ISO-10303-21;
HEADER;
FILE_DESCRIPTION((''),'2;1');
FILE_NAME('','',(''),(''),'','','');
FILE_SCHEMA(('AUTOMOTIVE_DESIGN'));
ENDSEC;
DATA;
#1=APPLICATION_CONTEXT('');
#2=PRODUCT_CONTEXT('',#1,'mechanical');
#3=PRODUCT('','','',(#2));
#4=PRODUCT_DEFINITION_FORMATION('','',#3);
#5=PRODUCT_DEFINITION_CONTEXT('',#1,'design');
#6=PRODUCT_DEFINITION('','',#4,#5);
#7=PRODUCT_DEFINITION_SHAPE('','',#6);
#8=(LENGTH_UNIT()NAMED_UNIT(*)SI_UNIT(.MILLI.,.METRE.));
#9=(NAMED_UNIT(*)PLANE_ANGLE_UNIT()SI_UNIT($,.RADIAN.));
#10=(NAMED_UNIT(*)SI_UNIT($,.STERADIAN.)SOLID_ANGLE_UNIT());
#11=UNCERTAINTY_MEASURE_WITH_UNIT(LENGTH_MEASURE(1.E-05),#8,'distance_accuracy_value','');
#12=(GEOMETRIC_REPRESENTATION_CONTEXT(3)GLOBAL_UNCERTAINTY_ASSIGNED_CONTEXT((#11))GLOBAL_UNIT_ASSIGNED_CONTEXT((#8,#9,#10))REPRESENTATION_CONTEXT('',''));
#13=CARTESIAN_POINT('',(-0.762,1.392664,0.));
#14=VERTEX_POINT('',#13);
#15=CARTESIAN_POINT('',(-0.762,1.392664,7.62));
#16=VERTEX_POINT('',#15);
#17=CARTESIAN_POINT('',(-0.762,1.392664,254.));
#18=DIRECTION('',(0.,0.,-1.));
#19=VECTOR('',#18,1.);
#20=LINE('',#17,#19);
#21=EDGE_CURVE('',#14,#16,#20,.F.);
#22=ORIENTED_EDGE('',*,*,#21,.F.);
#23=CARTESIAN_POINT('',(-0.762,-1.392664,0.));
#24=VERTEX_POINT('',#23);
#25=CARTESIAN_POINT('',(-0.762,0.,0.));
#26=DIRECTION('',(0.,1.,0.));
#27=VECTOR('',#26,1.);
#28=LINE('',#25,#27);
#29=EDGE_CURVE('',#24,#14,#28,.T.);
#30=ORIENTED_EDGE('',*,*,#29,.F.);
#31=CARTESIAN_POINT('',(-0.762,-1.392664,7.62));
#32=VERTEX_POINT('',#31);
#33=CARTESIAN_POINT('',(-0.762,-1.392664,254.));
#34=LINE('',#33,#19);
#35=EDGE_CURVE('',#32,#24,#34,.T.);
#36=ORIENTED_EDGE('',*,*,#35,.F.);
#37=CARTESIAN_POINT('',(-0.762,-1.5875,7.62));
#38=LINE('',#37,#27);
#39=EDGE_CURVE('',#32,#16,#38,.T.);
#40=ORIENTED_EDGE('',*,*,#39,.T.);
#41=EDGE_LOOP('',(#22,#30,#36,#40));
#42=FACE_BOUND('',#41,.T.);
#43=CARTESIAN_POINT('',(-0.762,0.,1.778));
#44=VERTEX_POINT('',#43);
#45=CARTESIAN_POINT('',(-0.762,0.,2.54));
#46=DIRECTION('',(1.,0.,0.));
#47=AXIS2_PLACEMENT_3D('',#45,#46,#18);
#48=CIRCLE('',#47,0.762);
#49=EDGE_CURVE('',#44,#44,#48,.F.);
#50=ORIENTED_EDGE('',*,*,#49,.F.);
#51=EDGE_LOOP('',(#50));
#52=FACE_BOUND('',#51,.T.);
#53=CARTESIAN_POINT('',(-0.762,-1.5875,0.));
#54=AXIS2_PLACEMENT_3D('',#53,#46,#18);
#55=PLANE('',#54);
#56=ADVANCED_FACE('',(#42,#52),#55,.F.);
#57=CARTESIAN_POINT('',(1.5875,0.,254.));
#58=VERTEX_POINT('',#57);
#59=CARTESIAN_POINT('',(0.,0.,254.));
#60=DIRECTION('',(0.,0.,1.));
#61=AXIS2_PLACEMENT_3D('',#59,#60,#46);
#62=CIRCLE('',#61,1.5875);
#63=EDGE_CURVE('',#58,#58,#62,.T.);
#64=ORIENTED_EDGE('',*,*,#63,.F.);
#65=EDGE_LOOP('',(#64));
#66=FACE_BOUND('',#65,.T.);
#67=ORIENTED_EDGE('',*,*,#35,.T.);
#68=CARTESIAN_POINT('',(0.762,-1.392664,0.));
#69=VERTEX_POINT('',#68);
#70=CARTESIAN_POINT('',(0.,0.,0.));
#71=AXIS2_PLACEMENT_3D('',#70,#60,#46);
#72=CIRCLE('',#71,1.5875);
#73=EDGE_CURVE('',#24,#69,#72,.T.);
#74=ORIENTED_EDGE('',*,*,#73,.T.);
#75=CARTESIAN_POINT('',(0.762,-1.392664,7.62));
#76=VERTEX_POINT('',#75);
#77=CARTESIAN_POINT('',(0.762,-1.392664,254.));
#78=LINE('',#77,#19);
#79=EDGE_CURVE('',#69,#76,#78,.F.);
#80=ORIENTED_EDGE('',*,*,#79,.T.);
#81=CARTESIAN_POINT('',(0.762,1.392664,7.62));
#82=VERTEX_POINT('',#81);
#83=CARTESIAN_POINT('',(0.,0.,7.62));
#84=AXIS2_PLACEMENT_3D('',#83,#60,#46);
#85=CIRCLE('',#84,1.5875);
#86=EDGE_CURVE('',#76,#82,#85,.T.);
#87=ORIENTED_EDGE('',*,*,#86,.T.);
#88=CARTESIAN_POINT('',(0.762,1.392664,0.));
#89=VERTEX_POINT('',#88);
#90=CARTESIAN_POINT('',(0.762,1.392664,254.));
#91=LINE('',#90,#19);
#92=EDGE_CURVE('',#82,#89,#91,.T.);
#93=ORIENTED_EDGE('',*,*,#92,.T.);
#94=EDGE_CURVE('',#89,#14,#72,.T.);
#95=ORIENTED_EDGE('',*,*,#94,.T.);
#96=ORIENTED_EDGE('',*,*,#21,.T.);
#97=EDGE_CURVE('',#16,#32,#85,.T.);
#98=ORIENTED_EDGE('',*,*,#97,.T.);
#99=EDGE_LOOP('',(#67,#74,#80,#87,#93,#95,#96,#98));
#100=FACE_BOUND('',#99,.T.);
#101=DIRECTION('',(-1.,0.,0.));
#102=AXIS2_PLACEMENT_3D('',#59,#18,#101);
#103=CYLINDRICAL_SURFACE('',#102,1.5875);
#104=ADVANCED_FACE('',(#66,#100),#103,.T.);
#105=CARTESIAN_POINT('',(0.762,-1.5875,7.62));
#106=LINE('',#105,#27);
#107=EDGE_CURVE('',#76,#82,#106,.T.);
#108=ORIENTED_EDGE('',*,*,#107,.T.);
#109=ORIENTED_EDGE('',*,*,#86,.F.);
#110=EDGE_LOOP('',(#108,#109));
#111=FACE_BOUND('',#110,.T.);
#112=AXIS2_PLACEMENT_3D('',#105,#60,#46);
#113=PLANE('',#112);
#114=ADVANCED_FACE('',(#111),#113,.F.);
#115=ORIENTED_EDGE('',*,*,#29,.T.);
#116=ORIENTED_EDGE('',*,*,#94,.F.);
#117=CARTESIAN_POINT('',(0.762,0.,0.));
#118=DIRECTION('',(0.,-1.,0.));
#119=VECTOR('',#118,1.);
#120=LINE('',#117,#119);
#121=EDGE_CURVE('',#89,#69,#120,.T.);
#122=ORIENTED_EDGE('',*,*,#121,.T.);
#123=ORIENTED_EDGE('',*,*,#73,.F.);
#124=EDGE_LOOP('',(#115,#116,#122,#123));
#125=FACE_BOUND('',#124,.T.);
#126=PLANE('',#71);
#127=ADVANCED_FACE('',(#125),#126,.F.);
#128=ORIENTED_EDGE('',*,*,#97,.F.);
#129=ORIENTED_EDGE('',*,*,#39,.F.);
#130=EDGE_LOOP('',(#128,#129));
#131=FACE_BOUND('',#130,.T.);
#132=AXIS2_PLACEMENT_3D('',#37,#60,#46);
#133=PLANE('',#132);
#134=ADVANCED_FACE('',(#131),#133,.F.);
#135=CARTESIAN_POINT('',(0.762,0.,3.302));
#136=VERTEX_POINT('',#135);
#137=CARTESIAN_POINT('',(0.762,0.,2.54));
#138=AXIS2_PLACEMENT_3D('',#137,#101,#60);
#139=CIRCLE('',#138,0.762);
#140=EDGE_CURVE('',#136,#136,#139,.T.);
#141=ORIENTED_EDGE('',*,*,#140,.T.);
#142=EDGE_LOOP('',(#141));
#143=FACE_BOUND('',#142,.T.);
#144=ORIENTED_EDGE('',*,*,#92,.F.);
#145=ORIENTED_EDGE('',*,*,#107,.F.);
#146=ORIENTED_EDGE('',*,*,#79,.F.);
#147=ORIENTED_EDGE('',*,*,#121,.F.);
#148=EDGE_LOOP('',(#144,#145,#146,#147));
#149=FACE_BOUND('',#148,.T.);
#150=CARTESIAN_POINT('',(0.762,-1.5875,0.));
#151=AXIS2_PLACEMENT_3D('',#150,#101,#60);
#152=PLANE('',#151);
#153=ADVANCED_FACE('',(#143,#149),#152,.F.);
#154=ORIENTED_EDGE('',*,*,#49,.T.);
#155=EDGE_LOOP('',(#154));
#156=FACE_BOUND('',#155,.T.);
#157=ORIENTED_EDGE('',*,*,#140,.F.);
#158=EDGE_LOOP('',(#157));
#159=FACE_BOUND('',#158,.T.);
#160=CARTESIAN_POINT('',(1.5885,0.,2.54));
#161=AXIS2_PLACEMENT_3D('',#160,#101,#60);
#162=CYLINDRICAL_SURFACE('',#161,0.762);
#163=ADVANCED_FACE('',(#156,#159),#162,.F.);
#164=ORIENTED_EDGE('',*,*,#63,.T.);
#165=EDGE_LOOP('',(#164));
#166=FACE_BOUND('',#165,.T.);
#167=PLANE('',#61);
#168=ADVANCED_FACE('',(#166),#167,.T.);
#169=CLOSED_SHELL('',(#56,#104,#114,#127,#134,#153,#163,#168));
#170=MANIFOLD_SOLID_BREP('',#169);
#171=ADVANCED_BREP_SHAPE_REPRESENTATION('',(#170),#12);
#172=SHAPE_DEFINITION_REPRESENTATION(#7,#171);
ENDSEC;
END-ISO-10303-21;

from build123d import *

# Parameters (mm, degrees)
SKETCH1_R                      = 1.5875
BOSS_EXTRUDE1_DEPTH            = 254
CUT_EXTRUDE1_DEPTH             = 255.009921681
CUT_EXTRUDE1_DEPTH_BACK        = 255.009921681
SKETCH2_W                      = 0.8255
SKETCH2_H                      = 7.62
CUT_EXTRUDE2_REACH             = 256.01
SKETCH3_R                      = 0.762
CUT_EXTRUDE2_DIRECTION_2_REACH = 256.01


with BuildPart() as part:
    # Sketch1 → Boss-Extrude1 (new body)
    with BuildSketch(Plane.XY):
        Circle(SKETCH1_R)
    extrude(amount=BOSS_EXTRUDE1_DEPTH)

    # Sketch2 → Cut-Extrude1 (cut, two sides: drawn at the far end of the back side and taken through both)
    with BuildSketch(Plane(origin=(0, 0, 0), x_dir=(1, 0, 0), z_dir=(0, 1, 0)).offset(-CUT_EXTRUDE1_DEPTH_BACK)):
        with Locations((1.17475, -3.81)):
            Rectangle(SKETCH2_W, SKETCH2_H)
        with Locations((-1.17475, -3.81)):
            Rectangle(SKETCH2_W, SKETCH2_H)
    extrude(amount=CUT_EXTRUDE1_DEPTH + CUT_EXTRUDE1_DEPTH_BACK, mode=Mode.SUBTRACT)

    # Sketch3 → Cut-Extrude2 (cut, up to next)
    with BuildSketch(Plane(origin=(0, 0, 0), x_dir=(0, 0, -1), z_dir=(1, 0, 0)), mode=Mode.PRIVATE) as cut_extrude2_sk1:
        with Locations(Location((-2.54, 0, 0), (0, 0, 180))):
            Circle(SKETCH3_R)
    cut_extrude2_tool1 = extrude(cut_extrude2_sk1.sketch, amount=-CUT_EXTRUDE2_REACH, mode=Mode.PRIVATE) & part.part
    add(cut_extrude2_tool1.solids().sort_by_distance((0, 0, 2.54))[0], mode=Mode.SUBTRACT)

    # Sketch3 → Cut-Extrude2 direction 2 (cut, up to next)
    with BuildSketch(Plane(origin=(0, 0, 0), x_dir=(0, 0, -1), z_dir=(1, 0, 0)), mode=Mode.PRIVATE) as cut_extrude2_direction_2_sk1:
        with Locations(Location((-2.54, 0, 0), (0, 0, 180))):
            Circle(SKETCH3_R)
    cut_extrude2_direction_2_tool1 = extrude(cut_extrude2_direction_2_sk1.sketch, amount=CUT_EXTRUDE2_DIRECTION_2_REACH, mode=Mode.PRIVATE) & part.part
    add(cut_extrude2_direction_2_tool1.solids().sort_by_distance((0, 0, 2.54))[0], mode=Mode.SUBTRACT)


solid = part.part
